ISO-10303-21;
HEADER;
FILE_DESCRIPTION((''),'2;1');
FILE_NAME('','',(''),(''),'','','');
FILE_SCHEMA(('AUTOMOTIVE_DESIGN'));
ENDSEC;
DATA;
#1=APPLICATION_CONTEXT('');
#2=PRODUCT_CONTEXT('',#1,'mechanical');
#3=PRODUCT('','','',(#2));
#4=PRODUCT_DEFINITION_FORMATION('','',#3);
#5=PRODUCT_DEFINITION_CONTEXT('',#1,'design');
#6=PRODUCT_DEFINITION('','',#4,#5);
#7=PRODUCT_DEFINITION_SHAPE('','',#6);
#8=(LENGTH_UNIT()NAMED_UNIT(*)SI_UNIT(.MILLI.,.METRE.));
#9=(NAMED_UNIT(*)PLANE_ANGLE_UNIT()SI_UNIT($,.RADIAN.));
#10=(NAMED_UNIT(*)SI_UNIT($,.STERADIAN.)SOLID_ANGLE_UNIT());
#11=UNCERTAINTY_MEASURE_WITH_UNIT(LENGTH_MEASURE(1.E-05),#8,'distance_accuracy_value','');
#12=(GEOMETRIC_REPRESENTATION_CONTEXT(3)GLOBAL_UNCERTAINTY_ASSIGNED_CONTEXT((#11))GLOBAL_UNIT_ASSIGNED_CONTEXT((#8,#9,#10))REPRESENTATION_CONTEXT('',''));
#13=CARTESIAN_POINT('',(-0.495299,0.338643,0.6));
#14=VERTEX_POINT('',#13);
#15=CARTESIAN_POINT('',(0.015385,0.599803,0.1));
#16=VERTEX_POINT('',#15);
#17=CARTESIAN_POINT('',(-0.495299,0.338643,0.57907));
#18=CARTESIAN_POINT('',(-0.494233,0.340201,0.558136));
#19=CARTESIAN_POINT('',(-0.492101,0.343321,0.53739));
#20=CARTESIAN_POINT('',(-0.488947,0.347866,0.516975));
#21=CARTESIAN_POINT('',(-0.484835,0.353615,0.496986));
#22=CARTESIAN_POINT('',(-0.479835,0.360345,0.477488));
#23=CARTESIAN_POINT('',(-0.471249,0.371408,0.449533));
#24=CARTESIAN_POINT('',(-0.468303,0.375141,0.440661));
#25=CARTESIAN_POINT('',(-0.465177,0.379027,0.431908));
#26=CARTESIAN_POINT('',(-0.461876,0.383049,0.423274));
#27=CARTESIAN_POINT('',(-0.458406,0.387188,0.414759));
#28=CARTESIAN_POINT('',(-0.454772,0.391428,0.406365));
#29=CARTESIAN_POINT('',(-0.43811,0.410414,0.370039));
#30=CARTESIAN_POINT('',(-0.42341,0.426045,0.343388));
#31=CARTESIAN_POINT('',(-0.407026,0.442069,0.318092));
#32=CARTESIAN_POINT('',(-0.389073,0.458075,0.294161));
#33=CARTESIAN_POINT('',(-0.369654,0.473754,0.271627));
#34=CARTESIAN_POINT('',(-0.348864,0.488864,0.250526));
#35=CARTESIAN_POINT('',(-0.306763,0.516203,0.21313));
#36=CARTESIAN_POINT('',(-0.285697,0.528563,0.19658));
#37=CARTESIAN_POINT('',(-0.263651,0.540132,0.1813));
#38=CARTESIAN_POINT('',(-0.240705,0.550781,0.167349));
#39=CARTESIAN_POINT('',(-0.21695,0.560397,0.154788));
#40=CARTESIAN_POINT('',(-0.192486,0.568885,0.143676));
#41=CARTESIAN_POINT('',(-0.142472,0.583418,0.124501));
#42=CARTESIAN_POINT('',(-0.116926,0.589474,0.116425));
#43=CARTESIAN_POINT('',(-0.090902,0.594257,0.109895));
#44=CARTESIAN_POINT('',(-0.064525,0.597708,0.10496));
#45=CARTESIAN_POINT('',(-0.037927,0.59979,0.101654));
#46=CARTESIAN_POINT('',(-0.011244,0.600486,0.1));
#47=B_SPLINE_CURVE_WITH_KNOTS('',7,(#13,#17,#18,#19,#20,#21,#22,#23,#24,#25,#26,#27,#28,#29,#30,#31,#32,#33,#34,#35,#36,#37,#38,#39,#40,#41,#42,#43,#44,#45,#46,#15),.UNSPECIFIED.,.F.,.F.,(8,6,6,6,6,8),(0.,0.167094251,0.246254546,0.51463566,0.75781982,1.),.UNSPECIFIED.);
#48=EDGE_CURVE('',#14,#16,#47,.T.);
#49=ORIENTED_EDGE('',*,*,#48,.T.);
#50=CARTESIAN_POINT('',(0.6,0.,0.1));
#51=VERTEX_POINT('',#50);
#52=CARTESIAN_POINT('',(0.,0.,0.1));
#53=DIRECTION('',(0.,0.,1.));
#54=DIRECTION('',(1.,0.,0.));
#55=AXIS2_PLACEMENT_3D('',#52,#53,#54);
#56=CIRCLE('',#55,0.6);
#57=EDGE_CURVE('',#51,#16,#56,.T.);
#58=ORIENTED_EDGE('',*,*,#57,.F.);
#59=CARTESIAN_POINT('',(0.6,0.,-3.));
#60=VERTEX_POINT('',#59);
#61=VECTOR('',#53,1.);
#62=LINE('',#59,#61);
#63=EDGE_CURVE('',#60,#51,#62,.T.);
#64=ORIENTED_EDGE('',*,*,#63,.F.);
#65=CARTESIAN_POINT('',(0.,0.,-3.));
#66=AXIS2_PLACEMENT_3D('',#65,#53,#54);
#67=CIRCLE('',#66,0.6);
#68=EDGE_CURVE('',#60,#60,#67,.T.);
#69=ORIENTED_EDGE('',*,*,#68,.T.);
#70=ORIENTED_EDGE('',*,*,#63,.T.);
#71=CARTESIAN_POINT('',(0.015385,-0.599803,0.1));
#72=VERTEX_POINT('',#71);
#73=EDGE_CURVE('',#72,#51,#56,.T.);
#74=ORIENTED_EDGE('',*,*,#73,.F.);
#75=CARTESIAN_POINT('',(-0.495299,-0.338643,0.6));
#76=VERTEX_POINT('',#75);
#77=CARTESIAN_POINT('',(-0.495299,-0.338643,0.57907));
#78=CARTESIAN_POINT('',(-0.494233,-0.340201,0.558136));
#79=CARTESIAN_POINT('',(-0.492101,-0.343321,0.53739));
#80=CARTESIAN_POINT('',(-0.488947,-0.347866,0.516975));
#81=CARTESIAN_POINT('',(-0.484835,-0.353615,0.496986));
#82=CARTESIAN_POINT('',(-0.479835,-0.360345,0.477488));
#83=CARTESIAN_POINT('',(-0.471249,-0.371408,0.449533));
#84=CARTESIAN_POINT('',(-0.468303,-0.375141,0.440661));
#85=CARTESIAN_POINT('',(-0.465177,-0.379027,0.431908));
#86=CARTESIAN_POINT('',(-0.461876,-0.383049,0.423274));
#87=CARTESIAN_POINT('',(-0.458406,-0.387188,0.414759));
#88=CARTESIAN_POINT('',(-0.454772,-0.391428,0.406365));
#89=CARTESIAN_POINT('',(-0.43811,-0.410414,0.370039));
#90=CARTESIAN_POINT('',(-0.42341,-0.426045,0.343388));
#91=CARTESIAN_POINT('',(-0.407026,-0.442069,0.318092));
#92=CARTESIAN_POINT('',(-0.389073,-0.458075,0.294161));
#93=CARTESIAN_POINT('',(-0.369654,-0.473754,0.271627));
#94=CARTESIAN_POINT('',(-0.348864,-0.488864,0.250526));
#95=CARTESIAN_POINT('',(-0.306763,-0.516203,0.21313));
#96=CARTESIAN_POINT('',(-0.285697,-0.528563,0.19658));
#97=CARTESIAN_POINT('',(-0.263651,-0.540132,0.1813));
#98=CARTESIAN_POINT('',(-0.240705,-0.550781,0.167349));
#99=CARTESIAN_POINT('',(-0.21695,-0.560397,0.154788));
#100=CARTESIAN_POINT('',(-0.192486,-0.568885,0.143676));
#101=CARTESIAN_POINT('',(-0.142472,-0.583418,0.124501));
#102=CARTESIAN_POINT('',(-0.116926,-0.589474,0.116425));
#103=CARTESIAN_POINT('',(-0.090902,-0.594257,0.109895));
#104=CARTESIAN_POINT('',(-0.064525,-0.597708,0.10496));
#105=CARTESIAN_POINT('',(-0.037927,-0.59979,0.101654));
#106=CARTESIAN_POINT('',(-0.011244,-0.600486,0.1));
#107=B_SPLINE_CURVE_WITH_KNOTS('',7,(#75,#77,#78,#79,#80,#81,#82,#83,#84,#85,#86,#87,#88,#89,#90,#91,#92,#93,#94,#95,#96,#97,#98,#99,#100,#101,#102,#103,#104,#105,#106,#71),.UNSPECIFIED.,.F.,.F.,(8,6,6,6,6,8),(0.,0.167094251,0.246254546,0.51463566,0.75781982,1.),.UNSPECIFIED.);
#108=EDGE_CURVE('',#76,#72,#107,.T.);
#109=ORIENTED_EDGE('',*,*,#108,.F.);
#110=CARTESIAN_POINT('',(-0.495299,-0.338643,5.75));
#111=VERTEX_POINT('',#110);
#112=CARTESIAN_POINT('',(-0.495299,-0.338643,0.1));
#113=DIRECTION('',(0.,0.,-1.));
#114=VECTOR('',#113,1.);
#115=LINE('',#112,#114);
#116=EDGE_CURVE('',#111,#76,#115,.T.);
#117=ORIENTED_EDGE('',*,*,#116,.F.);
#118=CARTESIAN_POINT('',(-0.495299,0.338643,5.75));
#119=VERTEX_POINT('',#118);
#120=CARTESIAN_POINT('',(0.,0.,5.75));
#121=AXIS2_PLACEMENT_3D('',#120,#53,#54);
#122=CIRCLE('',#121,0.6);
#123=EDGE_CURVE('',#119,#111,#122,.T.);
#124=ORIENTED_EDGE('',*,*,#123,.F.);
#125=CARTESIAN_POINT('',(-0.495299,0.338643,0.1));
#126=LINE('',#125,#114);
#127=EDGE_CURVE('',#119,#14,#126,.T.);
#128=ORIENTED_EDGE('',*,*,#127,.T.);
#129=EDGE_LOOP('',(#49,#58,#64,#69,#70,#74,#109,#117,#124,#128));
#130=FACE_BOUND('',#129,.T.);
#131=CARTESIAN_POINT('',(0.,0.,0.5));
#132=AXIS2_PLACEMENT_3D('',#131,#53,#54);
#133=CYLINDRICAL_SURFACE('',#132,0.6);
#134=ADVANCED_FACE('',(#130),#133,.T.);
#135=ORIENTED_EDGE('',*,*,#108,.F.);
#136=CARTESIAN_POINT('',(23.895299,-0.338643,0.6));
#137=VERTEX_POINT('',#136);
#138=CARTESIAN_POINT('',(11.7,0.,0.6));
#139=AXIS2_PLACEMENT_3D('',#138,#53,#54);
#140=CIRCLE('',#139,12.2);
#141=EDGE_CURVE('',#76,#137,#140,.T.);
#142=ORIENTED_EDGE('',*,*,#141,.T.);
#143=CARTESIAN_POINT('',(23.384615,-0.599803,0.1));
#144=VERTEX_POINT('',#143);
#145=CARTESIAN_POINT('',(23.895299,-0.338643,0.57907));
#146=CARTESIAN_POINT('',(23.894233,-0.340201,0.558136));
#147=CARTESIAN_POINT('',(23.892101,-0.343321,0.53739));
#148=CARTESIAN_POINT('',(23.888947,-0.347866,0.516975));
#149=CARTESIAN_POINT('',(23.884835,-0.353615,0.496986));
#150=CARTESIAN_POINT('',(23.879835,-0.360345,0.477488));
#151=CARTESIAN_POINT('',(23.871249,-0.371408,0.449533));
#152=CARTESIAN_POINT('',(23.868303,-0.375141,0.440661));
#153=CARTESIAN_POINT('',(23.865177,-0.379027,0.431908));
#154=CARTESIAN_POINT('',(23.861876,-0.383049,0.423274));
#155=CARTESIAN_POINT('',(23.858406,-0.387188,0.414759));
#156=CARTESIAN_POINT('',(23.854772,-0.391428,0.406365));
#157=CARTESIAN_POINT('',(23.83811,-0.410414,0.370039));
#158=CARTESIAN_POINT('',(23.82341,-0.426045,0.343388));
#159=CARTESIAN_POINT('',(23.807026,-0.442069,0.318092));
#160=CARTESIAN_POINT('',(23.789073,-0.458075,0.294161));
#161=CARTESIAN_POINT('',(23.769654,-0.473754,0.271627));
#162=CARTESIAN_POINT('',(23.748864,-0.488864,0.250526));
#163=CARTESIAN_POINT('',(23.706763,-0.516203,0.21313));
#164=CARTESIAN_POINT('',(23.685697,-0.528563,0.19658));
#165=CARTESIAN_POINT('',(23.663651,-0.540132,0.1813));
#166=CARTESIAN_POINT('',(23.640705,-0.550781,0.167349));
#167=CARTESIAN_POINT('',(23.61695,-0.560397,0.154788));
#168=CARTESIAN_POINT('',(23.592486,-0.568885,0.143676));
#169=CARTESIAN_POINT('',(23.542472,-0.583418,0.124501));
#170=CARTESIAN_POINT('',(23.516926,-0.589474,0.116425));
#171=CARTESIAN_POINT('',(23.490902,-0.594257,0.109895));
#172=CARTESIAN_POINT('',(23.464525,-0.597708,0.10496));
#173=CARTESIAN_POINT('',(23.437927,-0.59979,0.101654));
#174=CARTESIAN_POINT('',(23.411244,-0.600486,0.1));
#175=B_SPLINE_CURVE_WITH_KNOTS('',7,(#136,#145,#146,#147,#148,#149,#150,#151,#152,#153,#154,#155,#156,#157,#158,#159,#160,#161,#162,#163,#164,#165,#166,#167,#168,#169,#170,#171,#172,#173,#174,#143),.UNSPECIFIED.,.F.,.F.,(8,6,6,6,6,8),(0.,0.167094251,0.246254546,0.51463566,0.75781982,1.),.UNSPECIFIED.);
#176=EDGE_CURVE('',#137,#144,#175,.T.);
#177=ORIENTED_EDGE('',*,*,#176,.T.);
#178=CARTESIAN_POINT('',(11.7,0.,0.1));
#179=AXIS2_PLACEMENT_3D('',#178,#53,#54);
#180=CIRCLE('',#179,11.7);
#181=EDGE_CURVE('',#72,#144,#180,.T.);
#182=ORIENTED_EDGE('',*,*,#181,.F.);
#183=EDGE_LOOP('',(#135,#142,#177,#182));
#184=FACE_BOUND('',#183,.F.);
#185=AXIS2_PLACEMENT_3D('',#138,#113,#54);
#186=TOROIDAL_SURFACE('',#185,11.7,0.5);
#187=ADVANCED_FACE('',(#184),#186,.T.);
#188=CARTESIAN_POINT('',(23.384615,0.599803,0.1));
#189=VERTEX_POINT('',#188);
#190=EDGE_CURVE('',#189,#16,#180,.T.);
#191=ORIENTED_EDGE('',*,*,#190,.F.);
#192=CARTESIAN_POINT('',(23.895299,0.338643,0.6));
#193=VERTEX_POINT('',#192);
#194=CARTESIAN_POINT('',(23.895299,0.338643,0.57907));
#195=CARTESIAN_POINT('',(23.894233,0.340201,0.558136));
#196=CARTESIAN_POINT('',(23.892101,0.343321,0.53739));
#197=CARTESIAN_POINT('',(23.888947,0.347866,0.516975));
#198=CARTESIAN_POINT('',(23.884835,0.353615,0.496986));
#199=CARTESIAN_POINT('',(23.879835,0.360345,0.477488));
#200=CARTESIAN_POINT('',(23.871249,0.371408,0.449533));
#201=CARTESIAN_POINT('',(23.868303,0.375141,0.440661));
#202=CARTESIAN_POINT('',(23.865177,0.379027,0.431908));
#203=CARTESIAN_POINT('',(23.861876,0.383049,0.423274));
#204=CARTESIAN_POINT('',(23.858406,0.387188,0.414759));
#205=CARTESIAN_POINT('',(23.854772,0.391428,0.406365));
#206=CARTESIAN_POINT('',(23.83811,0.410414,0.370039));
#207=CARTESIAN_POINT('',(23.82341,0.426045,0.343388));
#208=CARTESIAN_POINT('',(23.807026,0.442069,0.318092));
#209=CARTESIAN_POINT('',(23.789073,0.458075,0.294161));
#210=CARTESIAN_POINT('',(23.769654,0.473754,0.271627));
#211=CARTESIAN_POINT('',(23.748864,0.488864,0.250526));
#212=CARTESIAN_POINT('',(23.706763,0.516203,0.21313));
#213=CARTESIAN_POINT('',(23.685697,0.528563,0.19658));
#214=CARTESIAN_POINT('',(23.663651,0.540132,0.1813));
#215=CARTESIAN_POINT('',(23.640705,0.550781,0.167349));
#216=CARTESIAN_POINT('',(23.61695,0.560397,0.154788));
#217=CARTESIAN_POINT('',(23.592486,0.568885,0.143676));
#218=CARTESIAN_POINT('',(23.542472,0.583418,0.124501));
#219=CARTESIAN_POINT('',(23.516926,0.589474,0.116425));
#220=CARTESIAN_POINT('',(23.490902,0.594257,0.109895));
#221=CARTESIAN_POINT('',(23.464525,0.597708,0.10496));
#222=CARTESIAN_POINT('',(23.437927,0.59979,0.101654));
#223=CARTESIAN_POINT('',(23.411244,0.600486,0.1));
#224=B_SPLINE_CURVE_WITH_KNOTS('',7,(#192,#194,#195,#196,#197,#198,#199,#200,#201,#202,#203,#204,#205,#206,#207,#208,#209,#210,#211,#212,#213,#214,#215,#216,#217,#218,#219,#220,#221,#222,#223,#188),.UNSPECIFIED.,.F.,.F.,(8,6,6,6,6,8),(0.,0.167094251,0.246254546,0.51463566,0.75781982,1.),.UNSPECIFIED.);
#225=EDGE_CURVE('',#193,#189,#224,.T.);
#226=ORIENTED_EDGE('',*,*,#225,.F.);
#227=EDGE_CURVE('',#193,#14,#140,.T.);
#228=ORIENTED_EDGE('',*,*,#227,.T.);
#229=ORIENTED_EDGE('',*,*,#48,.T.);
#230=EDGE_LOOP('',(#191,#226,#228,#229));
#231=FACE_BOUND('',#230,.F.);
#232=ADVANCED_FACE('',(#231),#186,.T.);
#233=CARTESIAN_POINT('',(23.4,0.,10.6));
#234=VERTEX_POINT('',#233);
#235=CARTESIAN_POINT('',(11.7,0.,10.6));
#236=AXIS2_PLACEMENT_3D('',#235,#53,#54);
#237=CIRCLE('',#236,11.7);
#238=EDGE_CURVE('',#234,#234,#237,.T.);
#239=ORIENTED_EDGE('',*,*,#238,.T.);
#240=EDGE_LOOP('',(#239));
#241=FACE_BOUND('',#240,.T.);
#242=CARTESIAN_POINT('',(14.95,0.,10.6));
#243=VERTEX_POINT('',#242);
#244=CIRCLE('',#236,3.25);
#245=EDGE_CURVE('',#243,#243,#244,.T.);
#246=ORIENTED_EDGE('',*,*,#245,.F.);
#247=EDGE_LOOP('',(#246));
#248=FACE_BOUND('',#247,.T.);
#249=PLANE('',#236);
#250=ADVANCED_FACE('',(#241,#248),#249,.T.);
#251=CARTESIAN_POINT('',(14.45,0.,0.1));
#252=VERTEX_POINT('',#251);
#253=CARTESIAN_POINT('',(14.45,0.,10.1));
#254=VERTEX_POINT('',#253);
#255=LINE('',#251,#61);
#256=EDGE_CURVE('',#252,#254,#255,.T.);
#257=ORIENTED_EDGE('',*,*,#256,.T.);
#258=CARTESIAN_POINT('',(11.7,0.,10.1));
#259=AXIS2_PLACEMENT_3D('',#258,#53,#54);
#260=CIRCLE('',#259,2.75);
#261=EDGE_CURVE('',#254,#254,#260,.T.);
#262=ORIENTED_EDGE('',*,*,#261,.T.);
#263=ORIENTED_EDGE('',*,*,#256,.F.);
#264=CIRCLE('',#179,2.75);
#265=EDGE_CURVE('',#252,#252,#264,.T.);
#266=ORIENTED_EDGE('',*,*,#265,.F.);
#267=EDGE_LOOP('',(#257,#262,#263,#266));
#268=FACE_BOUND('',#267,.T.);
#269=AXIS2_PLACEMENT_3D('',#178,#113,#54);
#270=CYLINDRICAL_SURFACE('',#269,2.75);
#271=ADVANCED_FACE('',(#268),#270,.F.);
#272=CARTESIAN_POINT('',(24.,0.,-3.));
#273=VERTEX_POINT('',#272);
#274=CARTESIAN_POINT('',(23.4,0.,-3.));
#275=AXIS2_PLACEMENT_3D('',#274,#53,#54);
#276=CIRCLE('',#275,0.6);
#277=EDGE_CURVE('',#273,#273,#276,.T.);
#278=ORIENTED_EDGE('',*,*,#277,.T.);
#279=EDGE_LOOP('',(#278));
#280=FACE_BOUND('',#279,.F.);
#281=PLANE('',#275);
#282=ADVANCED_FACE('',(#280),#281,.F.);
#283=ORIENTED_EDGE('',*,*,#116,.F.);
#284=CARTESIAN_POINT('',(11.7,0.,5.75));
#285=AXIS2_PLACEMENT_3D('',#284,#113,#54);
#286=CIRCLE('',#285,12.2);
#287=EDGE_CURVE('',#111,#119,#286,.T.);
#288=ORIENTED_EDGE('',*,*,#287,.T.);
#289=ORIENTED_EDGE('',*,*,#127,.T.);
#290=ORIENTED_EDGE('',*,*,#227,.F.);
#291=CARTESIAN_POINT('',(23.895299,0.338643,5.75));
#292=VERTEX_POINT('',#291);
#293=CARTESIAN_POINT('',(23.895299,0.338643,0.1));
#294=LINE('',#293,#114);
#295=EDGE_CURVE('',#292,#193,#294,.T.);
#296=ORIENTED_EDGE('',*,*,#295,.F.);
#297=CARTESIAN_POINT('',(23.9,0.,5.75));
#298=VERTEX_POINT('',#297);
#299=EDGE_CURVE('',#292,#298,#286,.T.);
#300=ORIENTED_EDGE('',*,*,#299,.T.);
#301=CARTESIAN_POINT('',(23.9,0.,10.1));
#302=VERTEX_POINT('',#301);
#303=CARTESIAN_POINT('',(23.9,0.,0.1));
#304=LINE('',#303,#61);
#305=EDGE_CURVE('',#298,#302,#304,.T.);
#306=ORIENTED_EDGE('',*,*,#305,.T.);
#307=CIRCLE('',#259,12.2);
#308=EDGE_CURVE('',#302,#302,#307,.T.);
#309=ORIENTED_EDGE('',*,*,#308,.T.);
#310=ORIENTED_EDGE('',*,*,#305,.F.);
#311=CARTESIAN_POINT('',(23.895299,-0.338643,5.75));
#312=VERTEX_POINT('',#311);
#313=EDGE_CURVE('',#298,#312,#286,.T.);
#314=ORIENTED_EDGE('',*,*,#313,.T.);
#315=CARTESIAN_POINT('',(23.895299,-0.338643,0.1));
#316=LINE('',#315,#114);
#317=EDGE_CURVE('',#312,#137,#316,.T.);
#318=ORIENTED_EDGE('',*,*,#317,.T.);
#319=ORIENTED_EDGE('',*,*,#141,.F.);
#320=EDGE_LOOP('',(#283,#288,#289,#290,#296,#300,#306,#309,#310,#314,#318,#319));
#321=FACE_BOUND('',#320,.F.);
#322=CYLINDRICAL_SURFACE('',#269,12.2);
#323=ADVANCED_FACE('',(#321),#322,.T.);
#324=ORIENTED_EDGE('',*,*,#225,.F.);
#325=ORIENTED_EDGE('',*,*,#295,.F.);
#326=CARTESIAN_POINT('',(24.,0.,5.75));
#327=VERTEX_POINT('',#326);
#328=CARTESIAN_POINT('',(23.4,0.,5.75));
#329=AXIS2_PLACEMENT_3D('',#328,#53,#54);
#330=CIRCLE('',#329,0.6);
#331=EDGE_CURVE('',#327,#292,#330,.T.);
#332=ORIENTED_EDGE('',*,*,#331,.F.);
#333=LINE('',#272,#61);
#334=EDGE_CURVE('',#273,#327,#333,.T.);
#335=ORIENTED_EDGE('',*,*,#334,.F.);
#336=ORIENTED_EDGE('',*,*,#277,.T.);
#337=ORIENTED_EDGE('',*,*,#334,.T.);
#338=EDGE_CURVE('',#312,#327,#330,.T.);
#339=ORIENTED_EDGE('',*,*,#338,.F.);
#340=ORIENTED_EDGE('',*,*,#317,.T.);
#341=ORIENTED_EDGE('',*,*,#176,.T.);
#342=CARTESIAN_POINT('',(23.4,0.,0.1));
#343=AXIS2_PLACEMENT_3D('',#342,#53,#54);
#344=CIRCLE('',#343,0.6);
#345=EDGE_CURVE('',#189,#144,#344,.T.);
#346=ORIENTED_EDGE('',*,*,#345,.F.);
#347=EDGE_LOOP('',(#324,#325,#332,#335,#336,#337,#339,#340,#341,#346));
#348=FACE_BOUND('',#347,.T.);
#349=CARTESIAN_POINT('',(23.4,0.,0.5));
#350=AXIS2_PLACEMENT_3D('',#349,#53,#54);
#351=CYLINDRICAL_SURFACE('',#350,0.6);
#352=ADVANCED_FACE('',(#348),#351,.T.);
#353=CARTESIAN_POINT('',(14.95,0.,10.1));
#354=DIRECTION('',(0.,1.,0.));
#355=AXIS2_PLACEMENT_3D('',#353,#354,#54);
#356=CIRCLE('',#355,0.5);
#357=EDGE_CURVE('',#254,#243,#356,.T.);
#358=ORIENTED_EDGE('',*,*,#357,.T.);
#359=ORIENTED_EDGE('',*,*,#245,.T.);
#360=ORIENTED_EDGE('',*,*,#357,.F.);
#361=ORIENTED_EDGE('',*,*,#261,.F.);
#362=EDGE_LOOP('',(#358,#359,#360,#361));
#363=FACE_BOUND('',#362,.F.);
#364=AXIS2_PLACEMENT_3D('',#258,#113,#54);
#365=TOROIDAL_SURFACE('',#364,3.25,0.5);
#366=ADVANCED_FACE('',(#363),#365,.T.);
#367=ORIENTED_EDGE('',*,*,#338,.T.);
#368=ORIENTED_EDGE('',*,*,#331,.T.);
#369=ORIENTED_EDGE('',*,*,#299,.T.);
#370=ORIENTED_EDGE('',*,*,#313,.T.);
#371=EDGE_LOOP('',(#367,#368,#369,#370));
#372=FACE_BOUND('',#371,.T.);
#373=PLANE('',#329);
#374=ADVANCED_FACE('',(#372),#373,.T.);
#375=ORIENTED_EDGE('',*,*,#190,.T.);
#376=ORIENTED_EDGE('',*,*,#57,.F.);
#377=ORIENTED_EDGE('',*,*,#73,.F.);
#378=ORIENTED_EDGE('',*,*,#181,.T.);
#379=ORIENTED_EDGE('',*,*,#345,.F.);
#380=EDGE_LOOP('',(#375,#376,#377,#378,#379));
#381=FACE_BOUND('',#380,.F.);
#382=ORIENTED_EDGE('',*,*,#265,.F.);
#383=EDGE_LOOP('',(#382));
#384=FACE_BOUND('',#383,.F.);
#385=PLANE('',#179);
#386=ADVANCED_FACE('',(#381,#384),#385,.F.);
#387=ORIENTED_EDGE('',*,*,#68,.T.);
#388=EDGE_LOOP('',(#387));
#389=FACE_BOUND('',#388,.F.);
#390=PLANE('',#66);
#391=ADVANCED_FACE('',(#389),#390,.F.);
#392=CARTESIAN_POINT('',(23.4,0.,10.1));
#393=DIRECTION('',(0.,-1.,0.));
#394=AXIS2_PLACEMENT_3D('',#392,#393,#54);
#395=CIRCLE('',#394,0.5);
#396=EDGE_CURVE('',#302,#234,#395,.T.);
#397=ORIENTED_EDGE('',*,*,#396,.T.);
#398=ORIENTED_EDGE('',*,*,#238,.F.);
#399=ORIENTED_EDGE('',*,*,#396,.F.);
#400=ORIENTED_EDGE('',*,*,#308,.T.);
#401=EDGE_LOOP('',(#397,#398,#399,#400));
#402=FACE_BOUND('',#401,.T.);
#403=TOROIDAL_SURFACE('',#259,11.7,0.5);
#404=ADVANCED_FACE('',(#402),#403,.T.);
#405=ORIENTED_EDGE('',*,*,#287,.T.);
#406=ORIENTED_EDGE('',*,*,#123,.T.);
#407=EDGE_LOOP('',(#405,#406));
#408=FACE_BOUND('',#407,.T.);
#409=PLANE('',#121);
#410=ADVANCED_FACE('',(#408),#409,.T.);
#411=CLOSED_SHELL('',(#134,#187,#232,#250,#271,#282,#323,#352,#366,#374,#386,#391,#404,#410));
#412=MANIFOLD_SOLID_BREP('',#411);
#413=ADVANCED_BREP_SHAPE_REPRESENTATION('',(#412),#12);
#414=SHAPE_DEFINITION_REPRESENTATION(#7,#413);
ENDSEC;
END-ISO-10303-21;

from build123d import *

# Parameters (mm, degrees)
SKETCH001_R       = 0.6
PAD001_DEPTH      = 5.25
PAD001_DEPTH_BACK = 3.5
SKETCH_R          = 12.2
SKETCH_R_2        = 2.75
PAD_DEPTH         = 10.5
FILLET_R          = 0.5


with BuildPart() as pad001:
    # Sketch001 → Pad001 (new body, two sides)
    with BuildSketch(Plane.XY.offset(0.5)) as pad001_sk:
        Circle(SKETCH001_R)
        with Locations((23.4, 0)):
            Circle(SKETCH001_R)
    extrude(amount=PAD001_DEPTH)
    extrude(pad001_sk.sketch, amount=-PAD001_DEPTH_BACK)


with BuildPart() as fillet_mp_cp:
    # Sketch → Pad (new body)
    with BuildSketch(Plane.XY.offset(0.1)):
        with Locations((11.7, 0)):
            Circle(SKETCH_R)
        with Locations((11.7, 0)):
            Circle(SKETCH_R_2, mode=Mode.SUBTRACT)
    extrude(amount=PAD_DEPTH)

    # Fillet
    fillet_edges = [fillet_mp_cp.edges().sort_by_distance(p)[0] for p in [
        (8.95, 0, 10.6),
        (-0.5, 0, 10.6),
        (-0.5, 0, 0.1),
    ]]
    fillet(fillet_edges, radius=FILLET_R)

    # Fillet_mp_cp: union Pad001
    add(pad001.part)


solid = fillet_mp_cp.part
